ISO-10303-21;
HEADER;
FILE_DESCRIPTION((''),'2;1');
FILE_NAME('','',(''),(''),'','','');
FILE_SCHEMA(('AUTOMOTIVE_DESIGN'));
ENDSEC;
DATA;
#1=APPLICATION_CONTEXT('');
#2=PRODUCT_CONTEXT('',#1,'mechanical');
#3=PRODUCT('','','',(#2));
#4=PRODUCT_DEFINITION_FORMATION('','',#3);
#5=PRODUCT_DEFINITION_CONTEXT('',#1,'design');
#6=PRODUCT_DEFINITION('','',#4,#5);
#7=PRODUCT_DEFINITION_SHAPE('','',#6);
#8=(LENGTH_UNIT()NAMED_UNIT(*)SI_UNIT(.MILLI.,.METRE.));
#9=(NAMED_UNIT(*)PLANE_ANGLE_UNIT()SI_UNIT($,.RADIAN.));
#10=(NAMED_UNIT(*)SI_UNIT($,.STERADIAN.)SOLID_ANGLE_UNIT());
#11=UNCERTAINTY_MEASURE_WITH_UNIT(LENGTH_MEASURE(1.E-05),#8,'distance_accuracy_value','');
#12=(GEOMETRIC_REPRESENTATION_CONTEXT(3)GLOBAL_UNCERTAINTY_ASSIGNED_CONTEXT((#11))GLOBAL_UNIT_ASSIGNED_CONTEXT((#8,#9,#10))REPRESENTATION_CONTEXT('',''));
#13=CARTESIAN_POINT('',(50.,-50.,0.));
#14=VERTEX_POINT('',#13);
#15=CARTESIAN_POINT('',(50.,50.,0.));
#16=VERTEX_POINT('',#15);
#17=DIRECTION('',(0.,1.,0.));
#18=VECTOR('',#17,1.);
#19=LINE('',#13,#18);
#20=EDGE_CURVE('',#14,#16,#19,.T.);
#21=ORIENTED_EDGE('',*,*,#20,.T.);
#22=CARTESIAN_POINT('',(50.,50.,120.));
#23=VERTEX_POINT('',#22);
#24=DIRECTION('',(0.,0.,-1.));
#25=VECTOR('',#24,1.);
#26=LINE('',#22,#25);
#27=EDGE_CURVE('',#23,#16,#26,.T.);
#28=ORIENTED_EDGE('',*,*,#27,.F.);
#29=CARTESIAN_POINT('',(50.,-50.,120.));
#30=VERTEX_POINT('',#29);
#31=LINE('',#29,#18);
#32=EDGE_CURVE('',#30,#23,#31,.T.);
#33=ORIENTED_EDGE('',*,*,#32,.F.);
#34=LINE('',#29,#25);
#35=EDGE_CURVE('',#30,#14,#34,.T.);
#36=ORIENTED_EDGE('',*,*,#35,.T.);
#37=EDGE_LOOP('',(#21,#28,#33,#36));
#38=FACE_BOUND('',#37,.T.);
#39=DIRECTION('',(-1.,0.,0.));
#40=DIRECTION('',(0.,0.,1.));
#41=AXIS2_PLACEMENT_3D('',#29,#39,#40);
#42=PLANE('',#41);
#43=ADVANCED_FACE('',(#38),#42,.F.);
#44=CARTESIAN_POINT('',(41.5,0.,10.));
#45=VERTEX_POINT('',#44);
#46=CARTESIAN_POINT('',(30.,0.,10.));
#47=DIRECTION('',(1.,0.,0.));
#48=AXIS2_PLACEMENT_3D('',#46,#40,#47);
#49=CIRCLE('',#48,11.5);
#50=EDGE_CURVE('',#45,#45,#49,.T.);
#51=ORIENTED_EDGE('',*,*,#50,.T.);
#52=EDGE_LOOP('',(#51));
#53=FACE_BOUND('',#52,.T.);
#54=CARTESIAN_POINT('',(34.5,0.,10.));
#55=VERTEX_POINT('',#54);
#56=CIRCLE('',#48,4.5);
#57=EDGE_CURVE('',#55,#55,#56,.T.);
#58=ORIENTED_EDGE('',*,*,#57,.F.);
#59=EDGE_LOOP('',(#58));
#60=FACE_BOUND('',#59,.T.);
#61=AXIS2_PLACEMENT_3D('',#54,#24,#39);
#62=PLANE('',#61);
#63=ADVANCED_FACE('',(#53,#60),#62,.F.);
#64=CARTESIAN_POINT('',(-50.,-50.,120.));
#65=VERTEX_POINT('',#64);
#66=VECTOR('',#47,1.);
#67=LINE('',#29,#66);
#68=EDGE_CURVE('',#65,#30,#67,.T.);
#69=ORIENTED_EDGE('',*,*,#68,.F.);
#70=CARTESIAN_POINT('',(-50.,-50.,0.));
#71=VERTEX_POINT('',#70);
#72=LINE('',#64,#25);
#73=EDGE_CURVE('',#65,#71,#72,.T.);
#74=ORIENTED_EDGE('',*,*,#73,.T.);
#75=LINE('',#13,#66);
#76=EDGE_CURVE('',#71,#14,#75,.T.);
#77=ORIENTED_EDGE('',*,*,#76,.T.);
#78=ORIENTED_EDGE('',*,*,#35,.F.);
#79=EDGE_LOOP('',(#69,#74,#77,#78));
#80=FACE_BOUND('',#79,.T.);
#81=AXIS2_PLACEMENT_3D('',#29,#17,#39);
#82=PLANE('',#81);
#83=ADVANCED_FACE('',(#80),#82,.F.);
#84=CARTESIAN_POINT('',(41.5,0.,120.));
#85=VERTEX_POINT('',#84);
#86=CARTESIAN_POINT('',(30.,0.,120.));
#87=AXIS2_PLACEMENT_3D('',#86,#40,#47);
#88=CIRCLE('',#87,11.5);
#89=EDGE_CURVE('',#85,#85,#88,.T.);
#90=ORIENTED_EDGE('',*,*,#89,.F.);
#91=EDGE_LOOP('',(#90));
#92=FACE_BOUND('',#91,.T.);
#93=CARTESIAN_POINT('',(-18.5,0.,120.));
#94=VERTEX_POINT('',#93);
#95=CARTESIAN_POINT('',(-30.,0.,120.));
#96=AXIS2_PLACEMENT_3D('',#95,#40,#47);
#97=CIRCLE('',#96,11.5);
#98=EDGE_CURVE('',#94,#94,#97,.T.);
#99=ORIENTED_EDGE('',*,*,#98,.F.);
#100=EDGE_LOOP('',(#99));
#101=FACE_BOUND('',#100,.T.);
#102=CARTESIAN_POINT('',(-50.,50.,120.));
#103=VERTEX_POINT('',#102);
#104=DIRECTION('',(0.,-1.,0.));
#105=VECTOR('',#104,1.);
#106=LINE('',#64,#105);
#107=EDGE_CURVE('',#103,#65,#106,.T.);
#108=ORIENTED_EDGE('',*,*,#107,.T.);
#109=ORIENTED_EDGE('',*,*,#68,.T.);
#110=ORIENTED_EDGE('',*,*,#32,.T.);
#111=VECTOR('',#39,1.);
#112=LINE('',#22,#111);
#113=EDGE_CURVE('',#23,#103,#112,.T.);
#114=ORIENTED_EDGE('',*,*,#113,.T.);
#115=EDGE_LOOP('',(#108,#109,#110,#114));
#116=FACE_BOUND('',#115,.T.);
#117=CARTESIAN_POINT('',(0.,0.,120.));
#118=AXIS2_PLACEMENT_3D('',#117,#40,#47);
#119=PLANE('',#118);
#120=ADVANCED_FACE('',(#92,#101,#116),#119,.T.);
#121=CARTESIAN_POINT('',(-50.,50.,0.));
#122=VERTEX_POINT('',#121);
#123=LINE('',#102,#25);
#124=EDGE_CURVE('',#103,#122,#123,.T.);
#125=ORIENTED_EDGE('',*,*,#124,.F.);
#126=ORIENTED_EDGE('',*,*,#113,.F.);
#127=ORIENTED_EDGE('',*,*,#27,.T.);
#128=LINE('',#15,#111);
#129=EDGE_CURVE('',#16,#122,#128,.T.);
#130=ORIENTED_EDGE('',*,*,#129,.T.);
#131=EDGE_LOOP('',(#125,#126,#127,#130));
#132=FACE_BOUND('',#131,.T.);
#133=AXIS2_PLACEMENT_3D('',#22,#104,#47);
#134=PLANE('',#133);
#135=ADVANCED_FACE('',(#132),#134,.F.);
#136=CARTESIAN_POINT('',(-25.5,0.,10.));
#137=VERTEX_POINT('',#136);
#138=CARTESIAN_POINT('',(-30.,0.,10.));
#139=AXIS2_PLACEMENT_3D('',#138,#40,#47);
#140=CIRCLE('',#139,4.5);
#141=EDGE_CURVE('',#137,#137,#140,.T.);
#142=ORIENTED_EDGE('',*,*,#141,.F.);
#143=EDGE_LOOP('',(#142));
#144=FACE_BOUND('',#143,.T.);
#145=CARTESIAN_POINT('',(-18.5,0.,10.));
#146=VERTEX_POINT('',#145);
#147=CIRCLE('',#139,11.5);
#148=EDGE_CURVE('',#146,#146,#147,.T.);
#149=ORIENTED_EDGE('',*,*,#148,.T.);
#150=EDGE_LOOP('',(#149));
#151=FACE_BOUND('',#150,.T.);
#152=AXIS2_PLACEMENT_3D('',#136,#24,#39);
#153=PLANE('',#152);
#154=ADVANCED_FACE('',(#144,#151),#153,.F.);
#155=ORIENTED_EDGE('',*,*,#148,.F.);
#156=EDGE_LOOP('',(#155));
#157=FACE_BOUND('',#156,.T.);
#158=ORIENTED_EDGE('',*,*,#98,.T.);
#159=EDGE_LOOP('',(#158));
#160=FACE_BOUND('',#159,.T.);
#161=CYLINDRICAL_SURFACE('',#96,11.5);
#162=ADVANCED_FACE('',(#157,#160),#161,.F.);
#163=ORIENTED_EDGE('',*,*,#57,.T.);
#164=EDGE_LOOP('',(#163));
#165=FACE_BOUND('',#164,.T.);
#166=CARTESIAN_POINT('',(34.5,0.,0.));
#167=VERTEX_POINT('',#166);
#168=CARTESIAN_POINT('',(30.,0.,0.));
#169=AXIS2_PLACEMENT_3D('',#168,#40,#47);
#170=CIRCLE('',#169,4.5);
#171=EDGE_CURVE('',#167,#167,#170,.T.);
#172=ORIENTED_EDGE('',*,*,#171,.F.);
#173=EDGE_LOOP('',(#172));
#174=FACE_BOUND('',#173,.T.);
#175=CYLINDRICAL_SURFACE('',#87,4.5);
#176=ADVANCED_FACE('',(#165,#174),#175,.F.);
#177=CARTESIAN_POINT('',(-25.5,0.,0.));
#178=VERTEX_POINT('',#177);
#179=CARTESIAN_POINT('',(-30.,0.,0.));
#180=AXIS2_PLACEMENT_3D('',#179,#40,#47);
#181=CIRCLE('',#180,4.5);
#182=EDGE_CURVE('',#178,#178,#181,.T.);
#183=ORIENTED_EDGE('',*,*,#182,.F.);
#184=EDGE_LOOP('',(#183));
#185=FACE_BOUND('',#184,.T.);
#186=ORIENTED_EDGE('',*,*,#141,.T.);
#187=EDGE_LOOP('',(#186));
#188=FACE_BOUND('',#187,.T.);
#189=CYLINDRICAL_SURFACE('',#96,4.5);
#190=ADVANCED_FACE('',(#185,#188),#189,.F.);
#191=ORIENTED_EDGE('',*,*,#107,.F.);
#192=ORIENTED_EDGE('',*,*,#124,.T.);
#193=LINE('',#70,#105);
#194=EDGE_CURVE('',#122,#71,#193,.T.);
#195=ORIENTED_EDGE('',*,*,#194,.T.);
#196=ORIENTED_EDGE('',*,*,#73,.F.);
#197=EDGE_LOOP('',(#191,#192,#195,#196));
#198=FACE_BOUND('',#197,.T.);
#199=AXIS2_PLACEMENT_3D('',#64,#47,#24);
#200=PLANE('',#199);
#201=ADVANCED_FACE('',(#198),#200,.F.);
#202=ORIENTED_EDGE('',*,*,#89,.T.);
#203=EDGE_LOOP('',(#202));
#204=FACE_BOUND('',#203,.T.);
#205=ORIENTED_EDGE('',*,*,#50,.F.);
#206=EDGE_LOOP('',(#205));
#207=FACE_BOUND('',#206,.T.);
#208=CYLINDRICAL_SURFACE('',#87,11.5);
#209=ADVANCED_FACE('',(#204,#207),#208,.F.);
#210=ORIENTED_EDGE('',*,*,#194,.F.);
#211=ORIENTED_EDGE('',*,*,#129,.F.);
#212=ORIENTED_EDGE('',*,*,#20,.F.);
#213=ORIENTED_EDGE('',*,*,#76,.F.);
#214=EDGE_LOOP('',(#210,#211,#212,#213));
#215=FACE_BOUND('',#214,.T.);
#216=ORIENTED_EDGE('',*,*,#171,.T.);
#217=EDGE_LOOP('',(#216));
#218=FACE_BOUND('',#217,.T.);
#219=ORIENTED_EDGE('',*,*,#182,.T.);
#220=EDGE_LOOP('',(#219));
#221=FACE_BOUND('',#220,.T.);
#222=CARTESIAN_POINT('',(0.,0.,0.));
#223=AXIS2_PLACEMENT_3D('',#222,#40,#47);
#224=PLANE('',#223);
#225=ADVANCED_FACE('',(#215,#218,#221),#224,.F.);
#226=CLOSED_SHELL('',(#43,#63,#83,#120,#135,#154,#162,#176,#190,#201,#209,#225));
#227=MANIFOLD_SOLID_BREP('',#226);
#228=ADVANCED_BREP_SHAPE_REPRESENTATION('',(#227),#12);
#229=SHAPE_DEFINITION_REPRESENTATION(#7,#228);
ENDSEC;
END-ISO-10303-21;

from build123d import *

# Parameters (mm, degrees)
SKIZZE1_W                                           = 100
SKIZZE1_H                                           = 100
AUFSATZ_LINEAR_AUSTRAGEN1_DEPTH                     = 120
STIRNSENKUNG_F_R_M8_SENKSCHRAUBE_KOPF_B_D           = 9
STIRNSENKUNG_F_R_M8_SENKSCHRAUBE_KOPF_B_CBORE_D     = 23
STIRNSENKUNG_F_R_M8_SENKSCHRAUBE_KOPF_B_CBORE_DEPTH = 110


with BuildPart() as part:
    # Skizze1 → Aufsatz-Linear austragen1 (new body)
    with BuildSketch(Plane.XY):
        Rectangle(SKIZZE1_W, SKIZZE1_H)
    extrude(amount=AUFSATZ_LINEAR_AUSTRAGEN1_DEPTH)

    # Stirnsenkung für M8 Senkschraube (Kopf Button)1 (through all)
    with Locations(Plane.XY.offset(120)):
        with Locations((-30, 0)):
            stirnsenkung_f_r_m8_senkschraube_kopf_b = CounterBoreHole(STIRNSENKUNG_F_R_M8_SENKSCHRAUBE_KOPF_B_D / 2, STIRNSENKUNG_F_R_M8_SENKSCHRAUBE_KOPF_B_CBORE_D / 2, STIRNSENKUNG_F_R_M8_SENKSCHRAUBE_KOPF_B_CBORE_DEPTH)

    # Spiegeln1: Stirnsenkung für M8 Senkschraube (Kopf Button)1 across plane
    add(stirnsenkung_f_r_m8_senkschraube_kopf_b.mirror(Plane(origin=(0, 0, 0), x_dir=(0, 0, 1), z_dir=(1, 0, 0))), mode=Mode.SUBTRACT)


solid = part.part
